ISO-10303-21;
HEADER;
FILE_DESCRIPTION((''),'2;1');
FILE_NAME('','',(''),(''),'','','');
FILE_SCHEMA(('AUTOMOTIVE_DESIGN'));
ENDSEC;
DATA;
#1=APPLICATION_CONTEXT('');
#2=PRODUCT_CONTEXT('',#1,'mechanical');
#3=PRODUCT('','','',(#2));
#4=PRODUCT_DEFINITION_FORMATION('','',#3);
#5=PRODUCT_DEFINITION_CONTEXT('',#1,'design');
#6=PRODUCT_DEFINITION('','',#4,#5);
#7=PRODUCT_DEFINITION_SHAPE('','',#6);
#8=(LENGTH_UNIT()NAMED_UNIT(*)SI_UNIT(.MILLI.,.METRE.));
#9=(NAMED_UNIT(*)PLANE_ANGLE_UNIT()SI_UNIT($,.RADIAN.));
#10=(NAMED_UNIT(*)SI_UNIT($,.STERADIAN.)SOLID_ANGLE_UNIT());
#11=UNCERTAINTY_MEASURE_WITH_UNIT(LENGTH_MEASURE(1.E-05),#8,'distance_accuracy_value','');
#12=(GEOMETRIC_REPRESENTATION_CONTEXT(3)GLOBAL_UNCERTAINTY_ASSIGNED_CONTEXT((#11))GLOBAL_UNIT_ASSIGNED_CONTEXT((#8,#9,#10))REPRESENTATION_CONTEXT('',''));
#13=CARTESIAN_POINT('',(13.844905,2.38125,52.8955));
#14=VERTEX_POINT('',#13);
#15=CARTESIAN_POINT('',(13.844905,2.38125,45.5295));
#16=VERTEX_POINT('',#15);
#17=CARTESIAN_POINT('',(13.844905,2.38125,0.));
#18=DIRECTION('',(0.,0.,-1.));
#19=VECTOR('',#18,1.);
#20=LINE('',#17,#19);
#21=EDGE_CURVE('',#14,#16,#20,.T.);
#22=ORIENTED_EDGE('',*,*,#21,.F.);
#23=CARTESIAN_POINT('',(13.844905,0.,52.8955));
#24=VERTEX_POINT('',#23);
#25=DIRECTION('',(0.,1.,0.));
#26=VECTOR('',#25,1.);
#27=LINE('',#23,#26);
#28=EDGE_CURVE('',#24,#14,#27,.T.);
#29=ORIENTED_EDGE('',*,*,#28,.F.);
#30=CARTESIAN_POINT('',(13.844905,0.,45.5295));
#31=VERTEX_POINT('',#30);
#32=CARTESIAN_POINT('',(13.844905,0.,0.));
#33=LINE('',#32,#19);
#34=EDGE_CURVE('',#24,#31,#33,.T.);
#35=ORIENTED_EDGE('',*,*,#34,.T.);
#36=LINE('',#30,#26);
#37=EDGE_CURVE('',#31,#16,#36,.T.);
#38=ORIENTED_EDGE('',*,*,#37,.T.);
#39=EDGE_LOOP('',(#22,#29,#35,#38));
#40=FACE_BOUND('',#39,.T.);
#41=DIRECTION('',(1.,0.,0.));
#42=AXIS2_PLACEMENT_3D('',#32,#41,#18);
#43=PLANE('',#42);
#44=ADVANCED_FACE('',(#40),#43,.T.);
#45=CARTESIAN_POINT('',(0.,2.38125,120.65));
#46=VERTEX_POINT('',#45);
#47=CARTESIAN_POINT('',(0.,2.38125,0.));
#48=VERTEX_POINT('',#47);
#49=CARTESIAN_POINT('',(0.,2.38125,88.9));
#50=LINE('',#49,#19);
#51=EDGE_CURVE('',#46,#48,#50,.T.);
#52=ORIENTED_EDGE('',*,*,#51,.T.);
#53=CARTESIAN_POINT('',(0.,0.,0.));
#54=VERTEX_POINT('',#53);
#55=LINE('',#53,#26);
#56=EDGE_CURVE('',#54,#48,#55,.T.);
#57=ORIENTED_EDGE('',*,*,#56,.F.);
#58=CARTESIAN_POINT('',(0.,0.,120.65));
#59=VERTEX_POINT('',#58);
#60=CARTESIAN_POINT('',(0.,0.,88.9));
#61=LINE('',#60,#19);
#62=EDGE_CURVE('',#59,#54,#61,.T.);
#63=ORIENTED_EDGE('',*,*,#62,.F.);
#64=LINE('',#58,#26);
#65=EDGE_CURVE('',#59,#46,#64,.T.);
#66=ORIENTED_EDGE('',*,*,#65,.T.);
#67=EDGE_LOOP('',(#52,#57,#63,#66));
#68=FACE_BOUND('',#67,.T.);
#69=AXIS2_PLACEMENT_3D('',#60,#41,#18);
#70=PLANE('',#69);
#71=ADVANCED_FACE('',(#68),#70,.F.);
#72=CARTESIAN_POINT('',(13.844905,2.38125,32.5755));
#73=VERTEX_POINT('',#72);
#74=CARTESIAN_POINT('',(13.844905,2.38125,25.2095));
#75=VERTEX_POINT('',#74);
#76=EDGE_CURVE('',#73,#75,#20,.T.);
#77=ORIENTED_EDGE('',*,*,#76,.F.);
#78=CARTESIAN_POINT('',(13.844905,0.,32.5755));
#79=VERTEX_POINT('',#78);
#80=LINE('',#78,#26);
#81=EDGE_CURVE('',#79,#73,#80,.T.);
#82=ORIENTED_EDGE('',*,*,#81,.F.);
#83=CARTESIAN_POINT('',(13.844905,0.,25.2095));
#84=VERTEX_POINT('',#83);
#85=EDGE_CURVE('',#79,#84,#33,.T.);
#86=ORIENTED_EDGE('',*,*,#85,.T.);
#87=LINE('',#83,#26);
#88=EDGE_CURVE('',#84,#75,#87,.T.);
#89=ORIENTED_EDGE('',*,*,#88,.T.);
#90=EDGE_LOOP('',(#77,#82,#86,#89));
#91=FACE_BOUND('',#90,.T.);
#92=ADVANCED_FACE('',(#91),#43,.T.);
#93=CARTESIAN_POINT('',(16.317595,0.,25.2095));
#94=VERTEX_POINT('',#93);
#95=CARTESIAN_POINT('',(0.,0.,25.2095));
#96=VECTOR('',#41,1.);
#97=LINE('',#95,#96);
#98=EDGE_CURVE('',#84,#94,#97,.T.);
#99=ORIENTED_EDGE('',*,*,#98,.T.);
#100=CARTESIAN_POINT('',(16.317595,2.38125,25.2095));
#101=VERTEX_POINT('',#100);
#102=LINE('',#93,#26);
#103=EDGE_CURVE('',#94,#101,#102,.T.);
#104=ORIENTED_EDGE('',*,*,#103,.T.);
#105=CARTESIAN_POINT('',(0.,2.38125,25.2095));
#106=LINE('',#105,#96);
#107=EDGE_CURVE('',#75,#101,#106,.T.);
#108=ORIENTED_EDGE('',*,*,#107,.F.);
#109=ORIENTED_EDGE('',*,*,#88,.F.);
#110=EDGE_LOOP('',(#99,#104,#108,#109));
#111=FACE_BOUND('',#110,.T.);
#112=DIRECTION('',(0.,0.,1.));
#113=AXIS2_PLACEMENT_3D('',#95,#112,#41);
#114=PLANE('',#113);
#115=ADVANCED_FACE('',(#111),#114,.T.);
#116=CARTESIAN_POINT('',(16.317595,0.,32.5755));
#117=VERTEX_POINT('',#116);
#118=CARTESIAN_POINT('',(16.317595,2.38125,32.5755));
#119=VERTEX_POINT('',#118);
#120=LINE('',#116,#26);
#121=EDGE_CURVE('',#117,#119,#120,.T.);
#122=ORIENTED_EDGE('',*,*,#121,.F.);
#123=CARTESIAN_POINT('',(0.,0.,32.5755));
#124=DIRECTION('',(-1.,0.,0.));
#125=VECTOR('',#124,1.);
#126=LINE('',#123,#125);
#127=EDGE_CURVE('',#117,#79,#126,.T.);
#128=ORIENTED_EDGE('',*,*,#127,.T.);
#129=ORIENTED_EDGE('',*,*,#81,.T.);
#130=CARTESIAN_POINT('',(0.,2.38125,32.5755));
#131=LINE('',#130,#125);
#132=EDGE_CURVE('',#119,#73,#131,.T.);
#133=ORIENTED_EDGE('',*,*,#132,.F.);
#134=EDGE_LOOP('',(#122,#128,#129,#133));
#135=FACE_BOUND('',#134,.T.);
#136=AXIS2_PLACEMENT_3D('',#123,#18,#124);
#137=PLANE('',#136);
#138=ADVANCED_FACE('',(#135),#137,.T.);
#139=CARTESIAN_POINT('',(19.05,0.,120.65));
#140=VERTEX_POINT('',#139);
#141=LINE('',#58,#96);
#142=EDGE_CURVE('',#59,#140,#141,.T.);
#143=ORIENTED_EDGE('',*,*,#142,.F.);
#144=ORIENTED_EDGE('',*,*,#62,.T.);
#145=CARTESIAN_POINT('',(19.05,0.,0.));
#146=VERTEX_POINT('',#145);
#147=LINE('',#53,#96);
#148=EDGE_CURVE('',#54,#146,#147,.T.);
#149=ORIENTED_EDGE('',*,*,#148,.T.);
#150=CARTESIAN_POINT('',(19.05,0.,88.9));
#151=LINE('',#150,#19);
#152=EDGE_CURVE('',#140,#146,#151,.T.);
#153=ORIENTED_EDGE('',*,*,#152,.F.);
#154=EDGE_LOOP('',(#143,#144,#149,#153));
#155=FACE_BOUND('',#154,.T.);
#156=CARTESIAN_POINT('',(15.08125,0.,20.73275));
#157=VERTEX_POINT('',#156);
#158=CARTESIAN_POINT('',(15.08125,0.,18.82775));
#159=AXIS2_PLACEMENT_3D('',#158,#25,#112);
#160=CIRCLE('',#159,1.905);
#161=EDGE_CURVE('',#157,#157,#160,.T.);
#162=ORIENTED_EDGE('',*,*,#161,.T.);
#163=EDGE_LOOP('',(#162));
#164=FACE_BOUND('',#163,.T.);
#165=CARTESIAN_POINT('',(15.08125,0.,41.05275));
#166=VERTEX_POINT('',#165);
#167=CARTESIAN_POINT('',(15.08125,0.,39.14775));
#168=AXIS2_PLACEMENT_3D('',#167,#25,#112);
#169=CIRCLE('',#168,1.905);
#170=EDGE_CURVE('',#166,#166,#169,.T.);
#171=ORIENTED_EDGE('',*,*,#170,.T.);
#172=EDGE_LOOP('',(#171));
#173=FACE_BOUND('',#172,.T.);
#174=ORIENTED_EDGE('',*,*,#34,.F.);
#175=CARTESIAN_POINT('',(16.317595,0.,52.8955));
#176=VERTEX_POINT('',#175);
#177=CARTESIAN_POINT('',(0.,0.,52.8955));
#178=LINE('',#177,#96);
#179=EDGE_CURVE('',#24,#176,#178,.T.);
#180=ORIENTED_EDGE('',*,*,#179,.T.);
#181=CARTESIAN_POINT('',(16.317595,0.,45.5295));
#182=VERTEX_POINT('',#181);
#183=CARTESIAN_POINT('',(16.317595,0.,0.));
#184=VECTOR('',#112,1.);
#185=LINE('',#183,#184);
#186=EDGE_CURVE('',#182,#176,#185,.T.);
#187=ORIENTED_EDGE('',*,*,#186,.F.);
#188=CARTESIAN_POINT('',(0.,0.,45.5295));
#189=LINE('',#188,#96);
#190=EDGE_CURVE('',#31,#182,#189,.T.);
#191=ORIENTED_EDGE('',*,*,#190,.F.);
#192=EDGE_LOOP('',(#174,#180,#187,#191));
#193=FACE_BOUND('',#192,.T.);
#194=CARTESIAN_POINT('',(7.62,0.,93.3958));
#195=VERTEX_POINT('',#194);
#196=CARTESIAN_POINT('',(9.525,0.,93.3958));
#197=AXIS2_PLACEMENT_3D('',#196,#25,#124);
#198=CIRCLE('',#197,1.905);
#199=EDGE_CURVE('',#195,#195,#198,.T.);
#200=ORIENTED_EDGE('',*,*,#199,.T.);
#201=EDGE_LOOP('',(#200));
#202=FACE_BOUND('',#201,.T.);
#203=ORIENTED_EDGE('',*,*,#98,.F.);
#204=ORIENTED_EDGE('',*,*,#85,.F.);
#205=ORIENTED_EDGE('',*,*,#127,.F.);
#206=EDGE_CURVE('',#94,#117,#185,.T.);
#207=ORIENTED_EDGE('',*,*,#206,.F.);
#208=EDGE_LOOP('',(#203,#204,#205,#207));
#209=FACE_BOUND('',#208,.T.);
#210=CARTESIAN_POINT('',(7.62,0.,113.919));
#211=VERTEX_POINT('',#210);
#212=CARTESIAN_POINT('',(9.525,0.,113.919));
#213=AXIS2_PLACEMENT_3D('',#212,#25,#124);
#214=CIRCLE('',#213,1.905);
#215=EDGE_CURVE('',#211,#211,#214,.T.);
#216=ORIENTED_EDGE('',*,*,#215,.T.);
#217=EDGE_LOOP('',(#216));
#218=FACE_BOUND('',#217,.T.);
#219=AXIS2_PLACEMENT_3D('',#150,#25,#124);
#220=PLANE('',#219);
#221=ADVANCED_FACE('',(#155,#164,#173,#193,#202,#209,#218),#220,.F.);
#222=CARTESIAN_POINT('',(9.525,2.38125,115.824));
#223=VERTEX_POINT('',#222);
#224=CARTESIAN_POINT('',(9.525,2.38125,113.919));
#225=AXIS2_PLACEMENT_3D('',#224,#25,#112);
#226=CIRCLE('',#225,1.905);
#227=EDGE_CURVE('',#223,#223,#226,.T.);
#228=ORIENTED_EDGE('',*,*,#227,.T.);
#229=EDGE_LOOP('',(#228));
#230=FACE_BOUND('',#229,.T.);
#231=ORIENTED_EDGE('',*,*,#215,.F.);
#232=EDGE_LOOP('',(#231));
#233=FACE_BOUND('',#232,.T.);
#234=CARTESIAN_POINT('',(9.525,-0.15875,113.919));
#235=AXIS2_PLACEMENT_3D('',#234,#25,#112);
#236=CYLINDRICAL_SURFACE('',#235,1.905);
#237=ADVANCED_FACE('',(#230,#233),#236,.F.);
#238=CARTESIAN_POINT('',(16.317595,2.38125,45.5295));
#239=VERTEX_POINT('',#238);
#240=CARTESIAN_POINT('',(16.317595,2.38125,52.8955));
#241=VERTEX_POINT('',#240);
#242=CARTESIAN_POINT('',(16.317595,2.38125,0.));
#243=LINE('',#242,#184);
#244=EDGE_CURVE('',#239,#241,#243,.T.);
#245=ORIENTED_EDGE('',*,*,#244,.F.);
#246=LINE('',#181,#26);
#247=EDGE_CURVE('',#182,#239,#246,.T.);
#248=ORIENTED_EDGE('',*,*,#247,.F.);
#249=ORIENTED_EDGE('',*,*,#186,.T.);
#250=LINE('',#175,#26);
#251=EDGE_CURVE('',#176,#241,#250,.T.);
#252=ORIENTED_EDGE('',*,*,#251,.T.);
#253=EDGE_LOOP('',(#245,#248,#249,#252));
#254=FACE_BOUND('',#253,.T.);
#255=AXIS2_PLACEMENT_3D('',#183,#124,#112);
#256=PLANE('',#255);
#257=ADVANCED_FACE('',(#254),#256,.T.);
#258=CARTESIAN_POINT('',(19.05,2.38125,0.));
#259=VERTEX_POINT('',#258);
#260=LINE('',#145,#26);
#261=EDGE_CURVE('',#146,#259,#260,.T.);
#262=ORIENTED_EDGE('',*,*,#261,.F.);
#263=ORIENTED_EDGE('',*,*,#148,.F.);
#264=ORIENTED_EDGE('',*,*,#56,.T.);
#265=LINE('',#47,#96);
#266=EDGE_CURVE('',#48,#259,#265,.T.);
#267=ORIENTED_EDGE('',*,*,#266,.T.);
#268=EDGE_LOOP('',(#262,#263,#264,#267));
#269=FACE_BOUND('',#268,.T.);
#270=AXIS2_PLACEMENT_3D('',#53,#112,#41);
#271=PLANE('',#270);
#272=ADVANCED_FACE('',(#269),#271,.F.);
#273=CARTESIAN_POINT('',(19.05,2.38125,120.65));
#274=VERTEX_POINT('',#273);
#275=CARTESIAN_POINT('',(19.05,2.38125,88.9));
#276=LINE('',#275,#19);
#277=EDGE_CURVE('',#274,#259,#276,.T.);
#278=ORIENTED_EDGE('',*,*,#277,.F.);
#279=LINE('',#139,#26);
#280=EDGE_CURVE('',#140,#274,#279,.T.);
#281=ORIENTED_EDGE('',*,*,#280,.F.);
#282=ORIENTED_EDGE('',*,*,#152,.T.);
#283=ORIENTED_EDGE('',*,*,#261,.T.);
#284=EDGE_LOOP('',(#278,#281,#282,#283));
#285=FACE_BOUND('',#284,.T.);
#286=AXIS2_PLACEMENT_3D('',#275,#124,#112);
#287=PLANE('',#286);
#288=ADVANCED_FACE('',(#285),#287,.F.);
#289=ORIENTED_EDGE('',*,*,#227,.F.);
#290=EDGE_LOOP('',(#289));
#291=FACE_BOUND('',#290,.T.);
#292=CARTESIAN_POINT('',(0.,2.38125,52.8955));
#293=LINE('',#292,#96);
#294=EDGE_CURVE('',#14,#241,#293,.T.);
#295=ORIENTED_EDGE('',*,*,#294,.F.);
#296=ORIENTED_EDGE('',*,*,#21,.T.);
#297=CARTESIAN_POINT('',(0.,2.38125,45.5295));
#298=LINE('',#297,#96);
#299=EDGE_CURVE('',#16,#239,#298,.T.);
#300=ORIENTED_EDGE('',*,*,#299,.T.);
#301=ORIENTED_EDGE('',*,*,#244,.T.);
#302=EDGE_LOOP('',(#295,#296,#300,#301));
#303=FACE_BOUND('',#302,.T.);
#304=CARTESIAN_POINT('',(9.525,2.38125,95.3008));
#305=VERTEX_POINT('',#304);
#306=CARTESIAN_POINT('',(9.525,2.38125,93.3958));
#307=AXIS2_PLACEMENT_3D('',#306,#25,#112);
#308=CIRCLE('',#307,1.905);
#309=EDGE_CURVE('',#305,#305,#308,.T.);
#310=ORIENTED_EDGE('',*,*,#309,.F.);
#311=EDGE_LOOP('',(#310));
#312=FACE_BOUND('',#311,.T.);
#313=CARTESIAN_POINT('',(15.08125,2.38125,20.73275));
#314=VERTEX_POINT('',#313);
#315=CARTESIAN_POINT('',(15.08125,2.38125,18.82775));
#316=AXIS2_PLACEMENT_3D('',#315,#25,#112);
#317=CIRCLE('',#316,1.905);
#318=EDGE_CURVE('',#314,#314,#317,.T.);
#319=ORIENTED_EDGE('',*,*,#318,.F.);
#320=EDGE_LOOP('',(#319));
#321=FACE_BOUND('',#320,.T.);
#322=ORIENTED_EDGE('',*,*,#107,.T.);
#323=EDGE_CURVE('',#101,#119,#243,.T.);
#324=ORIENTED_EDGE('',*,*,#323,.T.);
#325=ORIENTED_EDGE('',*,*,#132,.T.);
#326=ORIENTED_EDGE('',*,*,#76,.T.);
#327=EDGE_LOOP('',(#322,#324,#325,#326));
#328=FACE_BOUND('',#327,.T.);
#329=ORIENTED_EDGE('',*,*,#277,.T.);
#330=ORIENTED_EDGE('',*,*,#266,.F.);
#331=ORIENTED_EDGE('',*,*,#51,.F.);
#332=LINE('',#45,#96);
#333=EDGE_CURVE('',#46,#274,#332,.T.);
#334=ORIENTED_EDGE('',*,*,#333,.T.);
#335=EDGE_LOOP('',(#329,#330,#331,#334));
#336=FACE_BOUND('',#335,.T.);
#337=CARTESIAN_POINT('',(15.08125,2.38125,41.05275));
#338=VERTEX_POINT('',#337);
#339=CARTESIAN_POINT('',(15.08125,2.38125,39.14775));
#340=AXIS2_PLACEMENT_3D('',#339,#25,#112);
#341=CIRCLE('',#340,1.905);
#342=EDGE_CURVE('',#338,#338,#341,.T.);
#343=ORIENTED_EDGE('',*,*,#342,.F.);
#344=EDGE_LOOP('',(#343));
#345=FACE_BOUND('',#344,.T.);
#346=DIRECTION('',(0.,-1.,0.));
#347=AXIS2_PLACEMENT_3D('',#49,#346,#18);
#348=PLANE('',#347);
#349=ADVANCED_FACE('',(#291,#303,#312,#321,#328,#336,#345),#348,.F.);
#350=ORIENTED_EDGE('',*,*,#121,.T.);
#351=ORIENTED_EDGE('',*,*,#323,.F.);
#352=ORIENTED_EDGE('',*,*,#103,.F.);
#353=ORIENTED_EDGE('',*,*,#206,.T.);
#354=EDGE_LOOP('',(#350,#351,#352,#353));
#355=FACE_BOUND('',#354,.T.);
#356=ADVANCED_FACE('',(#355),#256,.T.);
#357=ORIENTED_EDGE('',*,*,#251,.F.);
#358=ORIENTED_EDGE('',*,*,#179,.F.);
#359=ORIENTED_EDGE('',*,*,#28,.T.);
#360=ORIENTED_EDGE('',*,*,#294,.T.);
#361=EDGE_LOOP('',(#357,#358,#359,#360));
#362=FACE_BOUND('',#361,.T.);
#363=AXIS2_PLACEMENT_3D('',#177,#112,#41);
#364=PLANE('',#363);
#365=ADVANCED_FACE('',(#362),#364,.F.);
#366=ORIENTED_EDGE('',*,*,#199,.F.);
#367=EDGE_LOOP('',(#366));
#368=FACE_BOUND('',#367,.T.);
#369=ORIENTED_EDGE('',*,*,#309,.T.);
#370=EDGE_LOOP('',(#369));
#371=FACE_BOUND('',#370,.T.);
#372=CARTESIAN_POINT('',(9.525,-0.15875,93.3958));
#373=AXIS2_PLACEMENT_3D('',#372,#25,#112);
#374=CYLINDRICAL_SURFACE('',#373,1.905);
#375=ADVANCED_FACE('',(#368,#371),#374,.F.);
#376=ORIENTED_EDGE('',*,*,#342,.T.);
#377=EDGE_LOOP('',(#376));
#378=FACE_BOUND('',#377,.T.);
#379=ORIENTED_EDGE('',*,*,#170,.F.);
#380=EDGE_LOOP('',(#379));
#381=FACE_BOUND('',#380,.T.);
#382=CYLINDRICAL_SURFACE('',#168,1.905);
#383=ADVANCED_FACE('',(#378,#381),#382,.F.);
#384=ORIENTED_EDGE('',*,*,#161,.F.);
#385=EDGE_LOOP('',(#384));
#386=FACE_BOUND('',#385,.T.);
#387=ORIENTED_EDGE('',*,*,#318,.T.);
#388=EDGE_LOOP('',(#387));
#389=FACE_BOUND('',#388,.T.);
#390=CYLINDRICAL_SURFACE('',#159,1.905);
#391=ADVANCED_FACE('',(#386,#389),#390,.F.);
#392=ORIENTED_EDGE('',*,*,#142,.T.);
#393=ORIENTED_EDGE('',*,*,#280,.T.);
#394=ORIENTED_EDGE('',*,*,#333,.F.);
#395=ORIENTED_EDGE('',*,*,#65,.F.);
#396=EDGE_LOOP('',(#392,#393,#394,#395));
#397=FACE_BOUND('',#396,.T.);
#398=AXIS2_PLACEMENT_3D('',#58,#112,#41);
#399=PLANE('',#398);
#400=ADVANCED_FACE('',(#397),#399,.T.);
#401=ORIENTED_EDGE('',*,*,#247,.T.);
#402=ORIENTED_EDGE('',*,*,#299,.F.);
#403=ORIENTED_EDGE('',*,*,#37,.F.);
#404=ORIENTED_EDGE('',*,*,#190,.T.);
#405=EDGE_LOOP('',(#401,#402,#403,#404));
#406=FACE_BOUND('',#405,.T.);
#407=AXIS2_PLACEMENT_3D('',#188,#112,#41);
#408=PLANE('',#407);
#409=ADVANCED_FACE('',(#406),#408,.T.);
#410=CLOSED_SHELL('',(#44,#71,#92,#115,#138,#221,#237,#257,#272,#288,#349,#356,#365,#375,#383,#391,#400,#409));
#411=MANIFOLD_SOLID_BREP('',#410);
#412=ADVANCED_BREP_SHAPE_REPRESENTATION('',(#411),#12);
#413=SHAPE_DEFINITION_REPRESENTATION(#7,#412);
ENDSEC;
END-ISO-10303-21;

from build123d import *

# Parameters (mm, degrees)
SKETCH1_W           = 19.05
SKETCH1_H           = 2.38125
BOSS_EXTRUDE1_DEPTH = 88.9
SKETCH5_R           = 1.905
CUT_EXTRUDE4_DEPTH  = 3.38125
SKETCH9_W           = 19.05
SKETCH9_H           = 29.6545
BOSS_EXTRUDE4_DEPTH = 2.38125
BOSS_EXTRUDE5_DEPTH = 2.38125
SKETCH11_R          = 1.905
CUT_EXTRUDE6_DEPTH  = 2.54
SKETCH12_W          = 19.05
SKETCH12_H          = 29.6545
CUT_EXTRUDE7_DEPTH  = 3.38125


with BuildPart() as part:
    # Sketch1 → Boss-Extrude1 (new body)
    with BuildSketch(Plane.XY):
        with Locations((9.525, 1.190625)):
            Rectangle(SKETCH1_W, SKETCH1_H)
    extrude(amount=BOSS_EXTRUDE1_DEPTH)

    # Sketch5 → Cut-Extrude4 (cut, through all)
    with BuildSketch(Plane(origin=(0, 2.38125, 0), x_dir=(1, 0, 0), z_dir=(0, 1, 0))):
        with Locations((15.08125, -39.14775)):
            Circle(SKETCH5_R)
        with Locations((15.08125, -18.82775)):
            Circle(SKETCH5_R)
        Polygon((16.317595, -28.98775), (16.317595, -32.5755), (15.08125, -32.5755), (13.844905, -32.5755), (13.844905, -25.2095), (16.317595, -25.2095), align=None)
        Polygon((15.08125, -52.8955), (16.317595, -52.8955), (16.317595, -45.5295), (13.844905, -45.5295), (13.844905, -52.8955), align=None)
    extrude(amount=-CUT_EXTRUDE4_DEPTH, mode=Mode.SUBTRACT)

    # Sketch9 → Boss-Extrude4 (add)
    with BuildSketch(Plane(origin=(0, 2.38125, 0), x_dir=(1, 0, 0), z_dir=(0, 1, 0))):
        with Locations((9.525, 14.82725)):
            Rectangle(SKETCH9_W, SKETCH9_H)
    extrude(amount=-BOSS_EXTRUDE4_DEPTH)

    # Sketch8 → Boss-Extrude5 (add)
    with BuildSketch(Plane(origin=(0, 2.38125, 0), x_dir=(1, 0, 0), z_dir=(0, 1, 0))):
        Polygon((19.05, -88.9), (0, -88.9), (0, -114.3), (0, -120.65), (19.05, -120.65), (19.05, -114.3), align=None)
    extrude(amount=-BOSS_EXTRUDE5_DEPTH)

    # Sketch11 → Cut-Extrude6 (cut)
    with BuildSketch(Plane(origin=(0, 2.38125, 0), x_dir=(1, 0, 0), z_dir=(0, 1, 0))):
        with Locations((9.525, -113.919)):
            Circle(SKETCH11_R)
        with Locations((9.525, -93.3958)):
            Circle(SKETCH11_R)
    extrude(amount=-CUT_EXTRUDE6_DEPTH, mode=Mode.SUBTRACT)

    # Sketch12 → Cut-Extrude7 (cut, through all)
    with BuildSketch(Plane(origin=(0, 2.38125, 0), x_dir=(1, 0, 0), z_dir=(0, 1, 0))):
        with Locations((9.525, 14.82725)):
            Rectangle(SKETCH12_W, SKETCH12_H)
    extrude(amount=-CUT_EXTRUDE7_DEPTH, mode=Mode.SUBTRACT)


solid = part.part
